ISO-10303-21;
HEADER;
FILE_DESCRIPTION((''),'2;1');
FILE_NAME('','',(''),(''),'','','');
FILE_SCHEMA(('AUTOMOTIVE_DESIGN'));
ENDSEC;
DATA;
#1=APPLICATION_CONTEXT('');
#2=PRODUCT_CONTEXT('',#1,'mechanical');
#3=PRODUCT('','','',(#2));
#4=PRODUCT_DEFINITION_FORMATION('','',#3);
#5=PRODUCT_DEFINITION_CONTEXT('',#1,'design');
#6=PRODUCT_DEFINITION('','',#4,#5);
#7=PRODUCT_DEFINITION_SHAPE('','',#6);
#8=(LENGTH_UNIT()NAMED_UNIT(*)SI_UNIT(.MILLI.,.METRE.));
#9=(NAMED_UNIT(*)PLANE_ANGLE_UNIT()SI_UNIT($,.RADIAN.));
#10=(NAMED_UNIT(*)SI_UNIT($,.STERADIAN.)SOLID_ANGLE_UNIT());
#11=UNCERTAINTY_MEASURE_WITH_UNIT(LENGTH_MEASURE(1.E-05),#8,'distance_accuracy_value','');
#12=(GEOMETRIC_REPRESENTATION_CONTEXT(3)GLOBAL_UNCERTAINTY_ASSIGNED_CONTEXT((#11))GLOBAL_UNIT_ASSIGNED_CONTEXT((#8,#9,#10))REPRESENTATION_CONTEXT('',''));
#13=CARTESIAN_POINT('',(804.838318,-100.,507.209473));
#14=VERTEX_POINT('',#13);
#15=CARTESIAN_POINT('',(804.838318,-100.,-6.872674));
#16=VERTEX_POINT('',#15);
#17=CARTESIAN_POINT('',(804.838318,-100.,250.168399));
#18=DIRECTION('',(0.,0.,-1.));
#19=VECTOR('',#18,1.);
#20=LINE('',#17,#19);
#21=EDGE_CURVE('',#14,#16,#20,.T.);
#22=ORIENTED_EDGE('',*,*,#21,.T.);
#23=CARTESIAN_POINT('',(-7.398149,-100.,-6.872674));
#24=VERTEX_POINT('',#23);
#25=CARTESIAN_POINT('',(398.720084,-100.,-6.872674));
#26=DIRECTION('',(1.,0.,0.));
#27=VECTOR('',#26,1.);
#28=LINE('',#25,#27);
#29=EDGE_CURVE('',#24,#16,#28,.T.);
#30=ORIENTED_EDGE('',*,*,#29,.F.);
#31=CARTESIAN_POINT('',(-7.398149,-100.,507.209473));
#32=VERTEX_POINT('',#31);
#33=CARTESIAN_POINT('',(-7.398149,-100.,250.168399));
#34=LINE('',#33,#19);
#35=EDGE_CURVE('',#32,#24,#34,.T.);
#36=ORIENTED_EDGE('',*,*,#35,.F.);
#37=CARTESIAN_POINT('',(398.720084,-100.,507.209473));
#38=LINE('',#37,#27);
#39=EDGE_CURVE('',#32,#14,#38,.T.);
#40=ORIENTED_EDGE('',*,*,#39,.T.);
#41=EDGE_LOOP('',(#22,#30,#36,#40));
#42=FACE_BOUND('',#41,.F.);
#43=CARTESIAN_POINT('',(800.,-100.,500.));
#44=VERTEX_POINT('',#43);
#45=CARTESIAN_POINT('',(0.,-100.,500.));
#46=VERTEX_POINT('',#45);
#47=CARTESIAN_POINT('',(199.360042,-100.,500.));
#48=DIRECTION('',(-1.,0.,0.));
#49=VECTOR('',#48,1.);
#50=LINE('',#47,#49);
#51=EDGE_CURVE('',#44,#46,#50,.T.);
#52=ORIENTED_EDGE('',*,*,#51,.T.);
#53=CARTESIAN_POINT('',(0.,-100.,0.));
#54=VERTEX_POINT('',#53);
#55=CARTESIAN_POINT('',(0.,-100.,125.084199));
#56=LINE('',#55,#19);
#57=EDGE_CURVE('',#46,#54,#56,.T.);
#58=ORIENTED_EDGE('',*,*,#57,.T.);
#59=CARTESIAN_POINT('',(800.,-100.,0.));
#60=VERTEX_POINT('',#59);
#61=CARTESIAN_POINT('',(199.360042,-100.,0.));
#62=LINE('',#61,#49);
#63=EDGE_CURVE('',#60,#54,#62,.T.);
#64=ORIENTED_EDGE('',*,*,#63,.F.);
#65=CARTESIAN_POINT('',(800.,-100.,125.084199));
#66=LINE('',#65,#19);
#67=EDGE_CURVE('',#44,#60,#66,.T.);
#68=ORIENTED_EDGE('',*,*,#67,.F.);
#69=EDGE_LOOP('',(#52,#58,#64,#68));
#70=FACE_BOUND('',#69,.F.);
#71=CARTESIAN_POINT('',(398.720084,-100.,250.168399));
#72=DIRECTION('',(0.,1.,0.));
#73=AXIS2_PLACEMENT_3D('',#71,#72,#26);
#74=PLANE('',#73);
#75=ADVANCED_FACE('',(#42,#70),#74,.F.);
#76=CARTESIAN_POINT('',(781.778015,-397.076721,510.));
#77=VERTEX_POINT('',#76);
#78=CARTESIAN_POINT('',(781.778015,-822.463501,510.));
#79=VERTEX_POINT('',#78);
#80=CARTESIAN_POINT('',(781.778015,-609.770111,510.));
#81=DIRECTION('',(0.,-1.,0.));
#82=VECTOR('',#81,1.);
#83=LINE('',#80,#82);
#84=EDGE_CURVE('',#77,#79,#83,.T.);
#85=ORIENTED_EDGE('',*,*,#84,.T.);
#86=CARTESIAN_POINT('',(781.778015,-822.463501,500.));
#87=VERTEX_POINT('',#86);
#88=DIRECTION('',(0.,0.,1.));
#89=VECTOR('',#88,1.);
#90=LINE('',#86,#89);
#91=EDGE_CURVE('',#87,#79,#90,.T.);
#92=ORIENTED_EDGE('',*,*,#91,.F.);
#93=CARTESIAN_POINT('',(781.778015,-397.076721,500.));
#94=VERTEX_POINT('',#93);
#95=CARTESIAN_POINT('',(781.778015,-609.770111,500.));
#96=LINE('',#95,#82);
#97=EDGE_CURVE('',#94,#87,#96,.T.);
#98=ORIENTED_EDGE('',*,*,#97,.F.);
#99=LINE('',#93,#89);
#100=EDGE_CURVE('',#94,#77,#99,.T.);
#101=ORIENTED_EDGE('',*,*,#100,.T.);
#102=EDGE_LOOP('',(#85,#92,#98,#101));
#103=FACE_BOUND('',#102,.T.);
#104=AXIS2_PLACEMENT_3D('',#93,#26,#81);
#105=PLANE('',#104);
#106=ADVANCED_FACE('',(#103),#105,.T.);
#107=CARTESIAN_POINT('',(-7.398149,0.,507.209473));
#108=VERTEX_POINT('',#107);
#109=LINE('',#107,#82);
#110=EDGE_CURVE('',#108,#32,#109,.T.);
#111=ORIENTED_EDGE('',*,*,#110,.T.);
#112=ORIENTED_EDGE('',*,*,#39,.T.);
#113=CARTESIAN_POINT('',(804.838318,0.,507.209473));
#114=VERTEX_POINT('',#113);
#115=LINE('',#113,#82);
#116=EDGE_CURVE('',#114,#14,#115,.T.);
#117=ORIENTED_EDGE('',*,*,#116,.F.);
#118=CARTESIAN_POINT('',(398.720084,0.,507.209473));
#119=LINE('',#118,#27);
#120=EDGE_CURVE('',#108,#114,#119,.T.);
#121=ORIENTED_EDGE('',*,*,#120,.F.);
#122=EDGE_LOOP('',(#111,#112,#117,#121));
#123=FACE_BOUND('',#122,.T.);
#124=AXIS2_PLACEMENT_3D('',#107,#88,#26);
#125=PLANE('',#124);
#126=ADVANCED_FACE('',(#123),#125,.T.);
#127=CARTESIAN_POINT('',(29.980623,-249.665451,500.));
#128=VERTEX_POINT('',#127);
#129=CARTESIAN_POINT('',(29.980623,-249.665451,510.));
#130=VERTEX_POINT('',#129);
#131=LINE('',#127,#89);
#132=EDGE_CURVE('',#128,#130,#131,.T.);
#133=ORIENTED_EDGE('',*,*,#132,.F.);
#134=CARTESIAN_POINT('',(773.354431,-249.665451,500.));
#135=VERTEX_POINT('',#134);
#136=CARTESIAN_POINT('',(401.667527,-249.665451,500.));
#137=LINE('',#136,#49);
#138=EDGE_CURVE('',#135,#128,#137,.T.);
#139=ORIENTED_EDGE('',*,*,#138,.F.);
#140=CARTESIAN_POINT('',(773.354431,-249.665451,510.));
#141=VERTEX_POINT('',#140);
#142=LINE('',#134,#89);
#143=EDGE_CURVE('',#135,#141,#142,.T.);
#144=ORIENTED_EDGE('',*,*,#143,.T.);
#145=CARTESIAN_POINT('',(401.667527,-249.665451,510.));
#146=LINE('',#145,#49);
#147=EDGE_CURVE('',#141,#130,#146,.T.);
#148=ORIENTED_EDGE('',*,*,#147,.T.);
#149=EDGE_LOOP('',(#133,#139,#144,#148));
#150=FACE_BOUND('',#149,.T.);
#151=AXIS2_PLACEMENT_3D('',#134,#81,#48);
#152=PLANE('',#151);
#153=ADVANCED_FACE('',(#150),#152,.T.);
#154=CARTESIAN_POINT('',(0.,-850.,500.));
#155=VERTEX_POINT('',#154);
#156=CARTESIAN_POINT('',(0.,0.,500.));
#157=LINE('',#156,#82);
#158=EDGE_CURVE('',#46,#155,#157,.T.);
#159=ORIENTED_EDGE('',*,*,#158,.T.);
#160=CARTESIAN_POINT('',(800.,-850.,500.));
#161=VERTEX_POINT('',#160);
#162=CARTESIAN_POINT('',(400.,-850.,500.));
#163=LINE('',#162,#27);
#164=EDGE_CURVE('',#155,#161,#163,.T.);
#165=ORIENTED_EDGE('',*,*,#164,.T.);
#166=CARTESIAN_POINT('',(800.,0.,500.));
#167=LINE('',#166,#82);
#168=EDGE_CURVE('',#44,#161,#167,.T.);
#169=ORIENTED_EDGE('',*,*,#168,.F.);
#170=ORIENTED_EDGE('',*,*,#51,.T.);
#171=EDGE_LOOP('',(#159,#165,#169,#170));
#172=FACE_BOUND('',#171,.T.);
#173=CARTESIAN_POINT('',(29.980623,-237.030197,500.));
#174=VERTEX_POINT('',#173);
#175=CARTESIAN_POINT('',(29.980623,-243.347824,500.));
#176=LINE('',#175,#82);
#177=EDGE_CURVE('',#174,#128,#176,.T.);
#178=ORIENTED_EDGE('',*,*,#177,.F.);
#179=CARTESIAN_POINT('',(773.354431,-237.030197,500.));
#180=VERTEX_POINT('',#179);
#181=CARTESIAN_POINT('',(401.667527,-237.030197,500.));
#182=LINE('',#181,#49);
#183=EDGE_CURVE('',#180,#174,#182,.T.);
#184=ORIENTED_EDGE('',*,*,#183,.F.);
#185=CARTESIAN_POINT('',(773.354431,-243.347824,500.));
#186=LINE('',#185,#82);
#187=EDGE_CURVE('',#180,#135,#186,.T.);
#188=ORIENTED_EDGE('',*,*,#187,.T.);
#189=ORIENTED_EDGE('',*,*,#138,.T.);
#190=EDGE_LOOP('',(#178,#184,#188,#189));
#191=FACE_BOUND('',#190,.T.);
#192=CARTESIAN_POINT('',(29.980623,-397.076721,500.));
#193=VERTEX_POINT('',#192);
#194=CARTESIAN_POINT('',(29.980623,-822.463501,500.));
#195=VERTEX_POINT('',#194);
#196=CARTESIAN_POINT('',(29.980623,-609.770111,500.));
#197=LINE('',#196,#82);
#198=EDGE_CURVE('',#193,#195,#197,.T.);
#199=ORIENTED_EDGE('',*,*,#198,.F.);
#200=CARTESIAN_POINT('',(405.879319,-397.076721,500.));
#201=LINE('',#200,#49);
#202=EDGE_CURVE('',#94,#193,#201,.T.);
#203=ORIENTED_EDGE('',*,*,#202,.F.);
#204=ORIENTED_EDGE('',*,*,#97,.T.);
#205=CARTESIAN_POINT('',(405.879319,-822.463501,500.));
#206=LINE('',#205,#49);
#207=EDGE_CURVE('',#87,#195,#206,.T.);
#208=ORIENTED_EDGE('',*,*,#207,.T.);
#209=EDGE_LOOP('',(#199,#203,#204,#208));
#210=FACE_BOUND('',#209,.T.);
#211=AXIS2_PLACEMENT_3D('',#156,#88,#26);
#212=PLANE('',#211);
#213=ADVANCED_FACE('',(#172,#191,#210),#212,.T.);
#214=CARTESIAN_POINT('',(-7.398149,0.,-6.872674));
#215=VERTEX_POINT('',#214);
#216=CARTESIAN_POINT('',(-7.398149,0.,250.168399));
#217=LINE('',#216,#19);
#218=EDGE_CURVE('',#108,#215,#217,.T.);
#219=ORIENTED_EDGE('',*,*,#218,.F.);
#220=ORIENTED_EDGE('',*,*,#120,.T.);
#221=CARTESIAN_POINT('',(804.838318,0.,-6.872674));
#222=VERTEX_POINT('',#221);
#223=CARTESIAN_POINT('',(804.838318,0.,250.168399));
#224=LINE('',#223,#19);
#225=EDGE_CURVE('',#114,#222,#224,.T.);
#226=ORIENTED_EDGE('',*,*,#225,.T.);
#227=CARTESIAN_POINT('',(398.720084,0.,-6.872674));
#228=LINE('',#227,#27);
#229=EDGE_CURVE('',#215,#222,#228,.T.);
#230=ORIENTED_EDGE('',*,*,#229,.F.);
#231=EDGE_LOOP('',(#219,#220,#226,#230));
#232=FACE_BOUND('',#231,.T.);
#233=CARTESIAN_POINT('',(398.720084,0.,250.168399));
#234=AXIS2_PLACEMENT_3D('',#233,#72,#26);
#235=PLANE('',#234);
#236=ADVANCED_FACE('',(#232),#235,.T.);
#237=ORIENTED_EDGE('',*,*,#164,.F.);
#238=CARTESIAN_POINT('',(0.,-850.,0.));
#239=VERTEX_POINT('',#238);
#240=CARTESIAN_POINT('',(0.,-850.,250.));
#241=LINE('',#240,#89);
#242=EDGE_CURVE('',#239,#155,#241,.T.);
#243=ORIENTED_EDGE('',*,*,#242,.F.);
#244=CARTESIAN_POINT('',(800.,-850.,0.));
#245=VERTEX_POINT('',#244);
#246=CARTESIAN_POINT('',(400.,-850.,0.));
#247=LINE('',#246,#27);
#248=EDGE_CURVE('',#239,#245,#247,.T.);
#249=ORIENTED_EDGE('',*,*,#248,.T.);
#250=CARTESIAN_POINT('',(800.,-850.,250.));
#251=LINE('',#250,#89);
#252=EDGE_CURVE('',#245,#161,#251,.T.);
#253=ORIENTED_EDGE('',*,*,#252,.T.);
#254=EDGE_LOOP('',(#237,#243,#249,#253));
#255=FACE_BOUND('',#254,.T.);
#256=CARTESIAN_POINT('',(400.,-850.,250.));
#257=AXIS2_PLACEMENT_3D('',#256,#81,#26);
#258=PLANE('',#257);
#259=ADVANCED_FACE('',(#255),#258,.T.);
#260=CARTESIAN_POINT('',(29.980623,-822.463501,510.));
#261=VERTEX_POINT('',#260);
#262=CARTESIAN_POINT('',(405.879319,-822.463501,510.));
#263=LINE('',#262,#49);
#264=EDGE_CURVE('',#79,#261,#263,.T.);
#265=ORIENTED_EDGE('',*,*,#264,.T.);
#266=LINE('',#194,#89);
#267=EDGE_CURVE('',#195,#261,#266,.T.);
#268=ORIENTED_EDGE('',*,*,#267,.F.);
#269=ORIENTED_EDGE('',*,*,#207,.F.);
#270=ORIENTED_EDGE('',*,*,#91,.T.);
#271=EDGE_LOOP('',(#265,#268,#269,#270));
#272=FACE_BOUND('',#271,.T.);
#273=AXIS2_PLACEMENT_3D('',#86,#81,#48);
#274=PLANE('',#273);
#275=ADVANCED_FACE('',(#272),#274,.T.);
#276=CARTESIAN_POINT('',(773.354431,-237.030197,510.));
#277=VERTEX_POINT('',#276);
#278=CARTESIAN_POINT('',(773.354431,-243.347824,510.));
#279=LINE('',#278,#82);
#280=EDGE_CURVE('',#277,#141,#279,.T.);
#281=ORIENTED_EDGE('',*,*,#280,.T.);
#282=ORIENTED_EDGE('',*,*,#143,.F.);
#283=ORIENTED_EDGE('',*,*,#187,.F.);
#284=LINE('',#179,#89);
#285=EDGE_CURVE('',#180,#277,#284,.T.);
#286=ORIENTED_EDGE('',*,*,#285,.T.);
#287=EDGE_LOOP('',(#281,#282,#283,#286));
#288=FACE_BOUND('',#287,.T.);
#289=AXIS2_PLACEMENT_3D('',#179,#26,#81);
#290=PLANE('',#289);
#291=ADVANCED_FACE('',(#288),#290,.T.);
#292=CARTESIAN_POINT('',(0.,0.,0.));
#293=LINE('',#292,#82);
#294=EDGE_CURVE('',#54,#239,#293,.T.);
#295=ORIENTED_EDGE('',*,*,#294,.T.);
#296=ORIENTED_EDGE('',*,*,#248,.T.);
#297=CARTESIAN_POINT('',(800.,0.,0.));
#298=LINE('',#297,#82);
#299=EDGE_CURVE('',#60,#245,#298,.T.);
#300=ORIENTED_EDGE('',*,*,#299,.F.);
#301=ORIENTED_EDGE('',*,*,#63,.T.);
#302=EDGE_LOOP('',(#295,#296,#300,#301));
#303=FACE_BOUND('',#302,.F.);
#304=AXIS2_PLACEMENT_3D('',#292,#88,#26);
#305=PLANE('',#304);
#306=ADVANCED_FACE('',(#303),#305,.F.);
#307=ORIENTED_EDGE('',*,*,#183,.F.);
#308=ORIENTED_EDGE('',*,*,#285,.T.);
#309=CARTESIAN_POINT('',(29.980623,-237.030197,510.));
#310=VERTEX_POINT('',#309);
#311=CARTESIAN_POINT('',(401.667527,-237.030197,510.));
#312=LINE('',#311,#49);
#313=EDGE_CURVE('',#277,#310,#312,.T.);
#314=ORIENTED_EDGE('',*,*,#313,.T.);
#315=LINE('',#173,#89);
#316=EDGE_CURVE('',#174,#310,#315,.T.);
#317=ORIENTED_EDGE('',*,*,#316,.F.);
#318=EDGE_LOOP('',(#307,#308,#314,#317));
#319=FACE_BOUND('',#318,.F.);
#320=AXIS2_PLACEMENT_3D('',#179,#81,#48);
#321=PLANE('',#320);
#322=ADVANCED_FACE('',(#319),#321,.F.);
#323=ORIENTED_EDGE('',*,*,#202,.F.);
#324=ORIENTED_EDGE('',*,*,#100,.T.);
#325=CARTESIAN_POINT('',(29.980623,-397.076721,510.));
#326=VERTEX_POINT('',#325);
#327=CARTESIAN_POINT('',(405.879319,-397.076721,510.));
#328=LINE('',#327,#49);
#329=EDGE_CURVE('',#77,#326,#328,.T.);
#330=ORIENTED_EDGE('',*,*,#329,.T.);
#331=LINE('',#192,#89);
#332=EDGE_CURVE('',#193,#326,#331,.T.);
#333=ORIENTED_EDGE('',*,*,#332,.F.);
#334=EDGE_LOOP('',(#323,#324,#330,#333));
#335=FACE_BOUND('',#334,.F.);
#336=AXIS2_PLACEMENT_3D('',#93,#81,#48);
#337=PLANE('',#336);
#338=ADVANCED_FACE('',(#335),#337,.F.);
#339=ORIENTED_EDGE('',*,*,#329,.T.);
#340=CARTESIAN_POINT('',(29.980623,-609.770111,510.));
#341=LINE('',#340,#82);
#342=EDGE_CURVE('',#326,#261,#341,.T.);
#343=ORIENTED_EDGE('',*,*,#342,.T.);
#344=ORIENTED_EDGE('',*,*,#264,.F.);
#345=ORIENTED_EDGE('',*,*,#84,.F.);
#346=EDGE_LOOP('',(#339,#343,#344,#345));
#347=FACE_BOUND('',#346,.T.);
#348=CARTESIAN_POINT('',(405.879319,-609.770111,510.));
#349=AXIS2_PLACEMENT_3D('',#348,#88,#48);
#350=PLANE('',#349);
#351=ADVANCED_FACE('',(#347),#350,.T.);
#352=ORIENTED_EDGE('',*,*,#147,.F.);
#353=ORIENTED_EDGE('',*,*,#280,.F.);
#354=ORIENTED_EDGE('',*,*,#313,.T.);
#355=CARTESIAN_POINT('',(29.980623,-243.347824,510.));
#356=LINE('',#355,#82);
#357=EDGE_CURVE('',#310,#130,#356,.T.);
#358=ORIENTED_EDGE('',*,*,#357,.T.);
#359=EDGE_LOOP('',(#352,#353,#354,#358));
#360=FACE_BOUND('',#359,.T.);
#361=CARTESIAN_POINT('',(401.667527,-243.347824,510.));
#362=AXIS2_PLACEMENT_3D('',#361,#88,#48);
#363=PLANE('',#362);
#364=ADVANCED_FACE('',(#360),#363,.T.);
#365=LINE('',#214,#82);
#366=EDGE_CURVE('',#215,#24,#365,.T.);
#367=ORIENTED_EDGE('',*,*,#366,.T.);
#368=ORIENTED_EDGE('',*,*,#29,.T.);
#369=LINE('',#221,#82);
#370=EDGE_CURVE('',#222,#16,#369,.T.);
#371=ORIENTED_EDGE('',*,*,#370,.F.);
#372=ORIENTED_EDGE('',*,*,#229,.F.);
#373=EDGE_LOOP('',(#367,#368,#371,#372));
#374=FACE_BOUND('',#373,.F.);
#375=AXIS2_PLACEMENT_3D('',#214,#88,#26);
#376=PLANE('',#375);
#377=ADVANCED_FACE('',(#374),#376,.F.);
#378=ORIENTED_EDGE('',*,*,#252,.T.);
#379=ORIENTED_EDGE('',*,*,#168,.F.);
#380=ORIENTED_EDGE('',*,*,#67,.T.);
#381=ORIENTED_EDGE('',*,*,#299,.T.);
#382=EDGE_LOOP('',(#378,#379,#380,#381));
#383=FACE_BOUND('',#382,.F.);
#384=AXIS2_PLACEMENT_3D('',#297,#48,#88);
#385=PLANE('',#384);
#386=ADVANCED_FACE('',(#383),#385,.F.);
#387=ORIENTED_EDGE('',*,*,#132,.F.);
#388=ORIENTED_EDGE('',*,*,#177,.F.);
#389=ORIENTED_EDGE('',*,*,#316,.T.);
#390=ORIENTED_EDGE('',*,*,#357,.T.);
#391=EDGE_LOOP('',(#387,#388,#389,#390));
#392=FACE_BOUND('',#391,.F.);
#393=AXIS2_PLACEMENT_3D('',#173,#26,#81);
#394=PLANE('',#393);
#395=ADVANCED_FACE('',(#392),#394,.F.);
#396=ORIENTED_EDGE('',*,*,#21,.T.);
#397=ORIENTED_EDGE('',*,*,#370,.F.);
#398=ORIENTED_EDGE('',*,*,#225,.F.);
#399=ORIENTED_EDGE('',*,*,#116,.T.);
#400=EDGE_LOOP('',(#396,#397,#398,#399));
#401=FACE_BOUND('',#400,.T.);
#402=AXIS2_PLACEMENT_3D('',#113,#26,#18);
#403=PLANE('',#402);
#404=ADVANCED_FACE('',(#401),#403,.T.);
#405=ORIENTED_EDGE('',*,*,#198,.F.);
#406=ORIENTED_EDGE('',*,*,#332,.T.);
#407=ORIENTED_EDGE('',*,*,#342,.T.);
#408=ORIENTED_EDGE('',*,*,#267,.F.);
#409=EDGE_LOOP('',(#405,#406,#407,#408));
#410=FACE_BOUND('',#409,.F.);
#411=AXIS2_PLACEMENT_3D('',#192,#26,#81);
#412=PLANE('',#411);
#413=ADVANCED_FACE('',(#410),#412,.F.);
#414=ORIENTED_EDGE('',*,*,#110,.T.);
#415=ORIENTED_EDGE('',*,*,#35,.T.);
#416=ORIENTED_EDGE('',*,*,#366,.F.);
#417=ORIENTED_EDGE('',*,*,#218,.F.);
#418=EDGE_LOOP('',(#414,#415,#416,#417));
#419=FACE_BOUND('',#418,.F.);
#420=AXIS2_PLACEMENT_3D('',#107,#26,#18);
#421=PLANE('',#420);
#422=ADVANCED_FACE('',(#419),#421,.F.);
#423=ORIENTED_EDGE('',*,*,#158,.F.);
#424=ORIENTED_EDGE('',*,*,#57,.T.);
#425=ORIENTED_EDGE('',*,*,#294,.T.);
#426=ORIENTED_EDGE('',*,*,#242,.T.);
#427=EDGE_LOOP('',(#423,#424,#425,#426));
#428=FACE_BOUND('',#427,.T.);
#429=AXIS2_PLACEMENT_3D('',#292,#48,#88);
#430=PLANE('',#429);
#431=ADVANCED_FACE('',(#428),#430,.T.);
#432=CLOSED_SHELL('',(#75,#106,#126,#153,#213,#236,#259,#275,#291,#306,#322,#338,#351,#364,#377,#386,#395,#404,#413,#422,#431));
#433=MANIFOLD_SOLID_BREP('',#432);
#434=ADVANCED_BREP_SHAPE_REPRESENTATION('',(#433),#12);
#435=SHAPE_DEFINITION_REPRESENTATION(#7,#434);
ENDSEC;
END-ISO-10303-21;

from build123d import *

# Parameters (mm, degrees)
SKETCH_W      = 800
SKETCH_H      = 500
PAD_DEPTH     = 850
SKETCH001_W   = 812.236467
SKETCH001_H   = 514.082147
PAD001_DEPTH  = 100
SKETCH002_W   = 743.373808
SKETCH002_H   = 12.635254
SKETCH002_W_2 = 751.797392
SKETCH002_H_2 = 425.38678
PAD002_DEPTH  = 10


with BuildPart() as part:
    # Sketch → Pad (new body)
    with BuildSketch(Plane.XZ):
        with Locations((400, 250)):
            Rectangle(SKETCH_W, SKETCH_H)
    extrude(amount=PAD_DEPTH)

    # Sketch001 (on Face5 of Pad) → Pad001 (join)
    with BuildSketch(Plane(origin=(0, 0, 0), x_dir=(1, 0, 0), z_dir=(0, 1, 0))):
        with Locations((398.720084, -250.168399)):
            Rectangle(SKETCH001_W, SKETCH001_H)
    extrude(amount=-PAD001_DEPTH)

    # Sketch002 (on Face8 of Pad001) → Pad002 (join)
    with BuildSketch(Plane(origin=(0, 0, 500), x_dir=(-1, 0, 0), z_dir=(0, 0, 1))):
        with Locations((-401.667527, 243.347824)):
            Rectangle(SKETCH002_W, SKETCH002_H)
        with Locations((-405.879319, 609.770111)):
            Rectangle(SKETCH002_W_2, SKETCH002_H_2)
    extrude(amount=PAD002_DEPTH)


solid = part.part
